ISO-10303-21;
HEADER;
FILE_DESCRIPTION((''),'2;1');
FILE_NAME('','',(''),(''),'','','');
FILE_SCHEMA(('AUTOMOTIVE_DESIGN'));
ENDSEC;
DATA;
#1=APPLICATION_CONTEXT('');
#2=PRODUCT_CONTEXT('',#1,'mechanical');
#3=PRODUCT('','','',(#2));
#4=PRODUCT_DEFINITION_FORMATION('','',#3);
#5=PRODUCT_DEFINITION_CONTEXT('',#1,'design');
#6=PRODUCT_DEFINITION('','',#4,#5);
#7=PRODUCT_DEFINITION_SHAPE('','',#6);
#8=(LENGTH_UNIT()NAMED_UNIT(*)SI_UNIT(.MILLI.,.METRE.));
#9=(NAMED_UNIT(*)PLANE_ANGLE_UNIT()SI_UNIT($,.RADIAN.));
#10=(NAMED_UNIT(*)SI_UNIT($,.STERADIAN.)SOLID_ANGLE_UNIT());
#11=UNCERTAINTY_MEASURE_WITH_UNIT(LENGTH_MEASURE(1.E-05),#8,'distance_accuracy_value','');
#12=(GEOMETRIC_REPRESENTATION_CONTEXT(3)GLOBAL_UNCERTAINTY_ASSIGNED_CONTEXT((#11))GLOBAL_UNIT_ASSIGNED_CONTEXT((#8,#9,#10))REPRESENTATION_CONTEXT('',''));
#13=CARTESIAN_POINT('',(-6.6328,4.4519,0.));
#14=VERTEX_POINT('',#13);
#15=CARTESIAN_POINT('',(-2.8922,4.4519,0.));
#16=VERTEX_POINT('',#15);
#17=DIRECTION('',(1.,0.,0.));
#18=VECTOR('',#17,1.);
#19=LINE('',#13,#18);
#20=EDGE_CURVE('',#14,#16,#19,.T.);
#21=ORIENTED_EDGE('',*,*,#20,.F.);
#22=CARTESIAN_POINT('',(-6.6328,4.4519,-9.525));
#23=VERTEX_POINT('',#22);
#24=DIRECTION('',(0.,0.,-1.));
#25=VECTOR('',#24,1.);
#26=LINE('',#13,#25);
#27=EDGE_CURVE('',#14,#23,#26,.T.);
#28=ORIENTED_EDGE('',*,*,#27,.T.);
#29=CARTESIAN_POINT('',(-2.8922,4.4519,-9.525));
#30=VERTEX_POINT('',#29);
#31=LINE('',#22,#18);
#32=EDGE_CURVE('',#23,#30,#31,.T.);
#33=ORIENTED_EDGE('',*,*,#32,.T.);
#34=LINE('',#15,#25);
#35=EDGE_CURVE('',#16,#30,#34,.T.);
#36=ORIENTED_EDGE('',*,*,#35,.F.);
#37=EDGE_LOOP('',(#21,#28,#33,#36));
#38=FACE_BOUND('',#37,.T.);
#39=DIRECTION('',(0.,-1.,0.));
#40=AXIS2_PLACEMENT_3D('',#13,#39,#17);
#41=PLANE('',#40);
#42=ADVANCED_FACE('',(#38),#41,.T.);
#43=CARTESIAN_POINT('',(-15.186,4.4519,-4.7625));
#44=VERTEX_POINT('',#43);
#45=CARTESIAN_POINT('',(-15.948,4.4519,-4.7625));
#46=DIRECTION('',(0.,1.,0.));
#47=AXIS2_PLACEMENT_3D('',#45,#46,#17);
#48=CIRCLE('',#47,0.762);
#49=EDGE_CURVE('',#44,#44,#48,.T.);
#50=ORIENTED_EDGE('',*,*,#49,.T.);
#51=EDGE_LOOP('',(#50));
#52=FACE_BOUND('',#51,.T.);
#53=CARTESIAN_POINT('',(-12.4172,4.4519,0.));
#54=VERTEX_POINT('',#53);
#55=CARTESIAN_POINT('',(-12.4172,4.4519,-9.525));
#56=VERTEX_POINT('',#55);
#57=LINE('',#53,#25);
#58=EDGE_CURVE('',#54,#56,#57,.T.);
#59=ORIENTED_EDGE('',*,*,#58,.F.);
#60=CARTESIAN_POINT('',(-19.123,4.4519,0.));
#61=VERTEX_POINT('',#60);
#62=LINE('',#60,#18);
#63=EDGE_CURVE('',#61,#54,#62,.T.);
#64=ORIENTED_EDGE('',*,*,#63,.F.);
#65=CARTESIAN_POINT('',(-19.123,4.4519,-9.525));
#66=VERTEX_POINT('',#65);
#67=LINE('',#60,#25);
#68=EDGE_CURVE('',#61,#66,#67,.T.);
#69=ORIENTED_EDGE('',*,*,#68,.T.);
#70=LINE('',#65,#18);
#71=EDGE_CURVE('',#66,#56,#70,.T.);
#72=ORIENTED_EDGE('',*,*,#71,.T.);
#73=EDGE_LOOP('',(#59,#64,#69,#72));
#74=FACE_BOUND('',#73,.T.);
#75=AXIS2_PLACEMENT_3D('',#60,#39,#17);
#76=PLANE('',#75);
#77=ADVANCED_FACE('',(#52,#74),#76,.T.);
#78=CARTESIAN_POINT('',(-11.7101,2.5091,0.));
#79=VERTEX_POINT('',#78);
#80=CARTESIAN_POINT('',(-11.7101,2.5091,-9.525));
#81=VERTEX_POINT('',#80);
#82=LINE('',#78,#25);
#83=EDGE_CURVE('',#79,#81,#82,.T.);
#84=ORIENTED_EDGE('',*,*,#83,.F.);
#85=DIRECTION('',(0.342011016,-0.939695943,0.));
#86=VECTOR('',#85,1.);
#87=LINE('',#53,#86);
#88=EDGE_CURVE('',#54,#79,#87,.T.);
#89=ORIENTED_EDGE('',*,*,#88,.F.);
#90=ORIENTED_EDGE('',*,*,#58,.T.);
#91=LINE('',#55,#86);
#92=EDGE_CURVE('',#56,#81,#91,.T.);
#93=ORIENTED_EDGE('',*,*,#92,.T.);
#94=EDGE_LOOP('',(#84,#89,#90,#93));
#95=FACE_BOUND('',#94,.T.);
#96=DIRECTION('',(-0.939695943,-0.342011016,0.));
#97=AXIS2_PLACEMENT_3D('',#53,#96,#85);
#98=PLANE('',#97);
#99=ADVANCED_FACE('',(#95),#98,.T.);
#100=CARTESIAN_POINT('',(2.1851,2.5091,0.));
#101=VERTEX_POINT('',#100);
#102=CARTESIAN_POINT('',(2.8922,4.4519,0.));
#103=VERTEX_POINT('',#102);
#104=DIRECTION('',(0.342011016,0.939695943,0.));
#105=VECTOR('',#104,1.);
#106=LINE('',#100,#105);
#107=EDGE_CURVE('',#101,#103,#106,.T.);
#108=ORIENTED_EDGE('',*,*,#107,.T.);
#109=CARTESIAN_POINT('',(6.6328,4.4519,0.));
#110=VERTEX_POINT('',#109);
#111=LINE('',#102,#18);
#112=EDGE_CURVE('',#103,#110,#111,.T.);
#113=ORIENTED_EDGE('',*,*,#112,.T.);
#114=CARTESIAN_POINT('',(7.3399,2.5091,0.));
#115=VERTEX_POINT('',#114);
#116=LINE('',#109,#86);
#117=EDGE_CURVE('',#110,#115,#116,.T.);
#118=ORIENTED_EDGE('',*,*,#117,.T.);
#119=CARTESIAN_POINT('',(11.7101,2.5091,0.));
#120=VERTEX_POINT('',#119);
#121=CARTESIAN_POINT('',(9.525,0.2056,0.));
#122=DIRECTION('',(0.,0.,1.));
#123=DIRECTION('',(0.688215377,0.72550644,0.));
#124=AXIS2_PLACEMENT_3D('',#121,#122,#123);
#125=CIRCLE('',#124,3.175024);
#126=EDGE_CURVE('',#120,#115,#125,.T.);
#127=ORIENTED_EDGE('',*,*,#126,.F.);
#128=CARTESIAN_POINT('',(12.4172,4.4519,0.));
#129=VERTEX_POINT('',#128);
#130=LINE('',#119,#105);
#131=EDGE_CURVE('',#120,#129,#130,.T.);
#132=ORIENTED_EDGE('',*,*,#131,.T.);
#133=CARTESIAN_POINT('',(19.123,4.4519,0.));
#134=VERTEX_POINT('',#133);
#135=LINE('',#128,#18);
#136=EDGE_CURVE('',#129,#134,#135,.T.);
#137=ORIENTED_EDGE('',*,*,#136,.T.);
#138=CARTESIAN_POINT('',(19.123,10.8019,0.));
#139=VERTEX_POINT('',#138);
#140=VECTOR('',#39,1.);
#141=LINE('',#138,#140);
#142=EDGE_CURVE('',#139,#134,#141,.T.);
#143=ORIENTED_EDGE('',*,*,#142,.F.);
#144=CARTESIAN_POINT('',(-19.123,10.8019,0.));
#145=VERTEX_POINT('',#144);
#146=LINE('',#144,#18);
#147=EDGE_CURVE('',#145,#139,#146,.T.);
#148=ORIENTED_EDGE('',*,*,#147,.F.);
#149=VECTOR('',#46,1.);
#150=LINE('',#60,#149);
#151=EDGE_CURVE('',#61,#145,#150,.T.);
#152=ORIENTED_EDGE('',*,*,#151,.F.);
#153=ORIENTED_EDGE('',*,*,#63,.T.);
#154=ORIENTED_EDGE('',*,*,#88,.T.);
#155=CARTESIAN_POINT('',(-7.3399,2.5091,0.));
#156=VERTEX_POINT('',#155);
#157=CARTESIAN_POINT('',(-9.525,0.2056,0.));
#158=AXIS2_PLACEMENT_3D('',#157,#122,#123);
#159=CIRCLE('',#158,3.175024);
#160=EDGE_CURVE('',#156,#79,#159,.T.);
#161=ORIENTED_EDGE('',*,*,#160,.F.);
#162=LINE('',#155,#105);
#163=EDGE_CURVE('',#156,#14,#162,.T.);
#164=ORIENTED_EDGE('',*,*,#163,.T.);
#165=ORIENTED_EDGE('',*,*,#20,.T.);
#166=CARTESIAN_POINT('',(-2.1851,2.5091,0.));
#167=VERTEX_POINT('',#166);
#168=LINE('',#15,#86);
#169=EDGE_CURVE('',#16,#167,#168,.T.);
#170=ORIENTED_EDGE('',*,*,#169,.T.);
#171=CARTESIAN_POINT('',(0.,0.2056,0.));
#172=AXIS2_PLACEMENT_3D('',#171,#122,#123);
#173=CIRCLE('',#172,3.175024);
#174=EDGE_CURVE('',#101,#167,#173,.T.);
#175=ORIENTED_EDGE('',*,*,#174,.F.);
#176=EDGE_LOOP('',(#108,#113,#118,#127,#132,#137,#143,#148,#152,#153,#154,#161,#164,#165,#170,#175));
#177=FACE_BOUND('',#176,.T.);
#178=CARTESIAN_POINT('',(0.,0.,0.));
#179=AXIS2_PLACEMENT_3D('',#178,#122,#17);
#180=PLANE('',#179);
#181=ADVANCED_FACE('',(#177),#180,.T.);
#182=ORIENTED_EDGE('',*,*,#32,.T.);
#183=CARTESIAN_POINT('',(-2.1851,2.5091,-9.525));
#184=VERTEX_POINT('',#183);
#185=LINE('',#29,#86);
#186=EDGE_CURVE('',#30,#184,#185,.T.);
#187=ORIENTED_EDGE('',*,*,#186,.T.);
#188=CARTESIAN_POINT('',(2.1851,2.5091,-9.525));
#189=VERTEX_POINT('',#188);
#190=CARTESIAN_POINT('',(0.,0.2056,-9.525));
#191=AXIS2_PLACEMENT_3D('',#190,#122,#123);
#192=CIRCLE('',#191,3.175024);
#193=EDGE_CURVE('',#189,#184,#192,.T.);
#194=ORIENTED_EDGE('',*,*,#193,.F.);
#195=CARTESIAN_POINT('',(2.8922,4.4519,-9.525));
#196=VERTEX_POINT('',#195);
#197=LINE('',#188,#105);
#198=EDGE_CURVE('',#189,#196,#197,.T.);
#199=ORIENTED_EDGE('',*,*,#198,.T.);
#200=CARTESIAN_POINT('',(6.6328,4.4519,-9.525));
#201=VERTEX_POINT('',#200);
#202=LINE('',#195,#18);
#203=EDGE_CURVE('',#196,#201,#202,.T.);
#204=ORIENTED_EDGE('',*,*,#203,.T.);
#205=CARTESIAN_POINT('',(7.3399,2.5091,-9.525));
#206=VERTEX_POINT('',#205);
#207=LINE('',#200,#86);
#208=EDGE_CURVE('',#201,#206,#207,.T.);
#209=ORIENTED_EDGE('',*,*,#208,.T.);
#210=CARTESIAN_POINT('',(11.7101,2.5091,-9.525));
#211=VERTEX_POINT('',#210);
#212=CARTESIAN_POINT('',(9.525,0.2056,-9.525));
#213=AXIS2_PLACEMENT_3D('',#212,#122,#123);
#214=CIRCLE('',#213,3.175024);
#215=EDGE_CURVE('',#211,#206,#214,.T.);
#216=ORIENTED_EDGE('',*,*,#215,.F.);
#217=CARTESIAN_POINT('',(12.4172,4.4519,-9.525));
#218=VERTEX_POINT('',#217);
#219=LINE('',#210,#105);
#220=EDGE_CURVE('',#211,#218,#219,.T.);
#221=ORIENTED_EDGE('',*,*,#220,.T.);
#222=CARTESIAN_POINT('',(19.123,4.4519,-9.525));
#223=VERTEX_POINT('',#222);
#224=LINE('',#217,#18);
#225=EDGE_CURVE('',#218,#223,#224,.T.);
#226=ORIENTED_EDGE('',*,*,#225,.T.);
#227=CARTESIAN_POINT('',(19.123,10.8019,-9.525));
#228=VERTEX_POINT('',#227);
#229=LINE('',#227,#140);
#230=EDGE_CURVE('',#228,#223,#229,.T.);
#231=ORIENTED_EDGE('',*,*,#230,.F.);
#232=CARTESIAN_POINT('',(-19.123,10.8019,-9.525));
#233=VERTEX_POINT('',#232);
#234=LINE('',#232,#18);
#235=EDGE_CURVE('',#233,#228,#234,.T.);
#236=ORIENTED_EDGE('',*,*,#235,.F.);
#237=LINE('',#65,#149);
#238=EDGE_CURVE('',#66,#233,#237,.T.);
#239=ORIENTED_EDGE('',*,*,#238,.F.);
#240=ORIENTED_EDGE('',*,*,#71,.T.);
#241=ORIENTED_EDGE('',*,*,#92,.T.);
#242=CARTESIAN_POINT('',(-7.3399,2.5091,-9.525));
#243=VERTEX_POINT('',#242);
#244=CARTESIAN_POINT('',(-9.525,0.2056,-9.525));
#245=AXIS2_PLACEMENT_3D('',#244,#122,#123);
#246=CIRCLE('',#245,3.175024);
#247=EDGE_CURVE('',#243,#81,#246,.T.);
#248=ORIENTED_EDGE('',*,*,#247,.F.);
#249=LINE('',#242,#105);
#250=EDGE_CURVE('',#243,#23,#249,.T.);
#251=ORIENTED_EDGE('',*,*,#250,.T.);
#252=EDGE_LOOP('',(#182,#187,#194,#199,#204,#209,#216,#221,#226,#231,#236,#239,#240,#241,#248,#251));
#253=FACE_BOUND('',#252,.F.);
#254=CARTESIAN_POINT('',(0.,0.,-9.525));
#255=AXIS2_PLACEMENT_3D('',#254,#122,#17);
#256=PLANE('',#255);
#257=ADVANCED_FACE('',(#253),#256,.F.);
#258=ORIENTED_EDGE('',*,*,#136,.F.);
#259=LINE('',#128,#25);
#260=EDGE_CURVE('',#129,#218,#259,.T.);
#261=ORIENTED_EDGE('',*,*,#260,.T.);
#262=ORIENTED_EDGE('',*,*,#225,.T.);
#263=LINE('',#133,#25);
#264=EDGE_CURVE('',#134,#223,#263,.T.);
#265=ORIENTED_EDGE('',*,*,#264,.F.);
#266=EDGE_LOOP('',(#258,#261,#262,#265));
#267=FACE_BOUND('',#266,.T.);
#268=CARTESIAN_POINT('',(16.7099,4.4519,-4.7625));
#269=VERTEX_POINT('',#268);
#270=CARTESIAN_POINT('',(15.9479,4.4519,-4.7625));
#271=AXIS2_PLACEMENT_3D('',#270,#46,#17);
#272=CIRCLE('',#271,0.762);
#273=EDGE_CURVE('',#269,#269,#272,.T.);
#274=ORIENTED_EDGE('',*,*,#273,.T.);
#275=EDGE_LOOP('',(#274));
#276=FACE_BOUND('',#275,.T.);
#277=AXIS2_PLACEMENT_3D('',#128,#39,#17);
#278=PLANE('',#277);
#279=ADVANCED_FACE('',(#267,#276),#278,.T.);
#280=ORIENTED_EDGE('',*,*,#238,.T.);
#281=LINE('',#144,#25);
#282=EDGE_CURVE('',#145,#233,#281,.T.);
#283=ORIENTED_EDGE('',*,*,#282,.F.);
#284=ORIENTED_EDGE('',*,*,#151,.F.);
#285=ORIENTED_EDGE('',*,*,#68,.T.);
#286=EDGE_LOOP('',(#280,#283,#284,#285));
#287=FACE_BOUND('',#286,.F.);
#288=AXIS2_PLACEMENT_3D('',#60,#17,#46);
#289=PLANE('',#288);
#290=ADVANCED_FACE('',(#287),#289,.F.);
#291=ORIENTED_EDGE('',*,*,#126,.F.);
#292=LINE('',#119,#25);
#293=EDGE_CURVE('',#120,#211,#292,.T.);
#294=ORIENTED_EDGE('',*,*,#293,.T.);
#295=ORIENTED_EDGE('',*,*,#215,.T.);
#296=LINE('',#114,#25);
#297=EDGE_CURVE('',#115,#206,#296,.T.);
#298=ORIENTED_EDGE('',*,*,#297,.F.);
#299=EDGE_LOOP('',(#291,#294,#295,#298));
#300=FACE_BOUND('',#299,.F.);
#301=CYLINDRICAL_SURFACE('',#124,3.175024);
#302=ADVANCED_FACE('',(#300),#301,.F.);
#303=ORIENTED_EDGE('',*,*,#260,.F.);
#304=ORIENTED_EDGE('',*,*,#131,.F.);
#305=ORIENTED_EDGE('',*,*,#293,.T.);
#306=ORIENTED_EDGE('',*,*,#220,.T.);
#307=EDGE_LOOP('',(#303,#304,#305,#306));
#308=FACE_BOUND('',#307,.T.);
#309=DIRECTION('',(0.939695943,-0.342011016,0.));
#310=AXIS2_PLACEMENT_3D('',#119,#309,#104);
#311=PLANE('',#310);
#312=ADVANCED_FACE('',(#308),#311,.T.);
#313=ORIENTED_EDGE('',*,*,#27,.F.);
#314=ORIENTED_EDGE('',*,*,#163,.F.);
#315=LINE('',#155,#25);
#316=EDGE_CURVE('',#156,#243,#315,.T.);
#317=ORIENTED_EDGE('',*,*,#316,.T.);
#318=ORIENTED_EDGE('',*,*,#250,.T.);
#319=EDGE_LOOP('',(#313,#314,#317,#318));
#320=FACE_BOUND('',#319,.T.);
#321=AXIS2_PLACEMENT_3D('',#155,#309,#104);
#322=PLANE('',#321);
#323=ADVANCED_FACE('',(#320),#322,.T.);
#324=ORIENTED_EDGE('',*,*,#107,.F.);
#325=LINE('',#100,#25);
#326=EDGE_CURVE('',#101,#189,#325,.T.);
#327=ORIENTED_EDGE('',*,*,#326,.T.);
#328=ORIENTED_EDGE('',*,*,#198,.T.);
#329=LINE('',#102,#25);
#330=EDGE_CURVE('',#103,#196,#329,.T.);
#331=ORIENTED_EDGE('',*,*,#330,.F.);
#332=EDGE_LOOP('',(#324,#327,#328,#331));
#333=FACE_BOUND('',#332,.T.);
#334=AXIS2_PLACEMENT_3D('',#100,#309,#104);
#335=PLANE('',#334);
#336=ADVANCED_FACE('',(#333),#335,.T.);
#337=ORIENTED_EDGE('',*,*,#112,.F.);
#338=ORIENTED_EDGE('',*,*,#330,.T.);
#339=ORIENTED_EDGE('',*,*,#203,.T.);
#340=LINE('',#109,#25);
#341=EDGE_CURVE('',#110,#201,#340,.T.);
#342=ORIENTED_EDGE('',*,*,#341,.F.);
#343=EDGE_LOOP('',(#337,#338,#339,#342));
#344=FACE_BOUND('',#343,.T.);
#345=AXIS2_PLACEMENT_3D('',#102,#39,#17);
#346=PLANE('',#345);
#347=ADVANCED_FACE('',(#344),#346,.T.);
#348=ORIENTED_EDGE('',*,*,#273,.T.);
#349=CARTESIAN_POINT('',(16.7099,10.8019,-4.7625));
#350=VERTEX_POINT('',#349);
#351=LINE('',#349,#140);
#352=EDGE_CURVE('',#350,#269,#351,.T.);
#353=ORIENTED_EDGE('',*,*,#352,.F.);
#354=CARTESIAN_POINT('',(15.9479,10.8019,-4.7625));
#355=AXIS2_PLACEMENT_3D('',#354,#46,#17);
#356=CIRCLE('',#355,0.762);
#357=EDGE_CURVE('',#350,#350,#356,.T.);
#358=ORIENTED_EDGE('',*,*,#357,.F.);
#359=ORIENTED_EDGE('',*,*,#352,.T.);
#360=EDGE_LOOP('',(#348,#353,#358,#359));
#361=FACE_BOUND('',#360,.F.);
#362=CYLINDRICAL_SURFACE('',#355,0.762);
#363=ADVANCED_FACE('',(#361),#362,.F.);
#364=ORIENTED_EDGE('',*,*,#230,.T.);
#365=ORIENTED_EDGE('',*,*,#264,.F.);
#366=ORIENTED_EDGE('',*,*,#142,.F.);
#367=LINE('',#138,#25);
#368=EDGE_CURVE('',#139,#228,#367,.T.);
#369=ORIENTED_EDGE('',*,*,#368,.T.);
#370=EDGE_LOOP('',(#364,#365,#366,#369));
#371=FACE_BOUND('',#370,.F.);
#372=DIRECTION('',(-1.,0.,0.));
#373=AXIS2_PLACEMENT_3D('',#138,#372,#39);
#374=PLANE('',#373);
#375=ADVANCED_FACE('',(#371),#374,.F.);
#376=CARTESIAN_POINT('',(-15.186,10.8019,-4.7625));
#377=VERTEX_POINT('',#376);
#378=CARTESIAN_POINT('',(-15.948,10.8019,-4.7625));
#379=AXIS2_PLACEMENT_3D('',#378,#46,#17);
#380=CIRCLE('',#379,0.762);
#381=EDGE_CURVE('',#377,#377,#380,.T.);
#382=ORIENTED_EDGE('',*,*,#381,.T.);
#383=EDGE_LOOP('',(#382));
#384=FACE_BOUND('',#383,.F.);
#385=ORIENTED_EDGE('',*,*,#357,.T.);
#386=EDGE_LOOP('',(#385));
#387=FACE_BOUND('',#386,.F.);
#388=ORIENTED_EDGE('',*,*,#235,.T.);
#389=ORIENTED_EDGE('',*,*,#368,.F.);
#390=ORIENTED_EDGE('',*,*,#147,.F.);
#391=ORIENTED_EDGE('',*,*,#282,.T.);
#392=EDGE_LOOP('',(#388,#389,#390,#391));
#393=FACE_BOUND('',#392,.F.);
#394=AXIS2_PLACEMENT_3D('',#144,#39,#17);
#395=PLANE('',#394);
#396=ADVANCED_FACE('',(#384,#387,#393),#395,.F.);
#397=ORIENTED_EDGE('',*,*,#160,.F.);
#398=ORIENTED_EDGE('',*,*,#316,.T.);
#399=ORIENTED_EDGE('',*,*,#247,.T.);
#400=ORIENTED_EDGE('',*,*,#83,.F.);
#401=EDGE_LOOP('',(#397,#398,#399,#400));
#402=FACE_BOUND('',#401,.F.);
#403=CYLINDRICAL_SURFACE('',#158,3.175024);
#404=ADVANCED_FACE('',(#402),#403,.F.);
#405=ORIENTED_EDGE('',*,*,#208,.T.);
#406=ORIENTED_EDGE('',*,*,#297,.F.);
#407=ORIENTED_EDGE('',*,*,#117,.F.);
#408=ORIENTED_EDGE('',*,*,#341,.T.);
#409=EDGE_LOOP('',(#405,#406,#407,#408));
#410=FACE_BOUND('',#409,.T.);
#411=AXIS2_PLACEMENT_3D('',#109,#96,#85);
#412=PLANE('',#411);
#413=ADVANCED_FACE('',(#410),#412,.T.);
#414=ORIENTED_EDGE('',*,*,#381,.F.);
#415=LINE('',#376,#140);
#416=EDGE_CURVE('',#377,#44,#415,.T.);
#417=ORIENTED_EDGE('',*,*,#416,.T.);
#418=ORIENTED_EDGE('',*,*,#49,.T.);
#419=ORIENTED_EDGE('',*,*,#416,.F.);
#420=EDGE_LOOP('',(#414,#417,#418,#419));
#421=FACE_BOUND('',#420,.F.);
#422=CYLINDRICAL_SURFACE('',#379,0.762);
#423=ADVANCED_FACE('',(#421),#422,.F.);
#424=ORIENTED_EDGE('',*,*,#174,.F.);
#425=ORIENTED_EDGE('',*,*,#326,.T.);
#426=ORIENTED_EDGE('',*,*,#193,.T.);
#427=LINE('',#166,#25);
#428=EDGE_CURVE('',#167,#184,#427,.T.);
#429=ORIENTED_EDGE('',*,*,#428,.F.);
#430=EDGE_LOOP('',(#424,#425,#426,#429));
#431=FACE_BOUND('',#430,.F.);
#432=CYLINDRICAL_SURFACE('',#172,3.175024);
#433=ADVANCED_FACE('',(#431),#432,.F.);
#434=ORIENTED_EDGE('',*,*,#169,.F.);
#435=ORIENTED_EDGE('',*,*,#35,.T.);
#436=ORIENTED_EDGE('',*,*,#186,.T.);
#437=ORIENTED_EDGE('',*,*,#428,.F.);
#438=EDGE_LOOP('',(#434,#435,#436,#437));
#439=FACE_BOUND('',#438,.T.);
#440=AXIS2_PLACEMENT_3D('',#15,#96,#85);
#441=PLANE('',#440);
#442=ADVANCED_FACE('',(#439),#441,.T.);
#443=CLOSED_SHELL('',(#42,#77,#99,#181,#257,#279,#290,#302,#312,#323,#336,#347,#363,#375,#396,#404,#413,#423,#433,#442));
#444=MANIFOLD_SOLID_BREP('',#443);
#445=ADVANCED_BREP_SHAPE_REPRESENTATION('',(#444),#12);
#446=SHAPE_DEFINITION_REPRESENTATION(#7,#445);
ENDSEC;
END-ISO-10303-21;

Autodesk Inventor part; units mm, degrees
ref_plane "YZ Plane" through (0, 0, 0) normal (1, 0, 0) x (0, 1, 0)
ref_plane "XZ Plane" through (0, 0, 0) normal (0, 1, 0) x (-1, 0, 0)
ref_plane "XY Plane" through (0, 0, 0) normal (0, 0, 1) x (1, 0, 0)
ref_plane "Work Plane1" through (0, 0, 0) normal (0, 0, 1) x (1, 0, 0)
sketch "Sketch1" plane through (0, 0, 0) normal (0, 0, 1) x (1, 0, 0)
  arc A0 (-2.3812, 1.5627) -> (2.3812, 1.5627) centre (0, 1.5627) ccw projected
  line L0 (-2.3812, 1.5627) -> (-3.248, 3.9439) projected
  line L1 (-3.248, 3.9439) -> (-6.277, 3.9439) projected
  line L2 (-6.277, 3.9439) -> (-7.1438, 1.5627) projected
  arc A1 (-11.9063, 1.5627) -> (-7.1438, 1.5627) centre (-9.525, 1.5627) ccw projected
  line L3 (-11.9063, 1.5627) -> (-12.773, 3.9439) projected
  line L4 (-12.773, 3.9439) -> (-19.123, 3.9439) projected
  line L5 (-19.123, 3.9439) -> (-19.123, -1.6123) projected
  line L6 (19.123, -1.6123) -> (-19.123, -1.6123) projected
  line L7 (19.123, -1.6123) -> (19.123, 3.9439) projected
  line L8 (19.123, 3.9439) -> (12.773, 3.9439) projected
  line L9 (12.773, 3.9439) -> (11.9063, 1.5627) projected
  arc A2 (7.1438, 1.5627) -> (11.9063, 1.5627) centre (9.525, 1.5627) ccw projected
  line L10 (7.1438, 1.5627) -> (6.277, 3.9439) projected
  line L11 (6.277, 3.9439) -> (3.248, 3.9439) projected
  line L12 (3.248, 3.9439) -> (2.3812, 1.5627) projected
  line L13 (-12.4172, 4.4519) -> (-11.7101, 2.5091)
  line L14 (-7.3399, 2.5091) -> (-6.6328, 4.4519)
  line L15 (-6.6328, 4.4519) -> (-2.8922, 4.4519)
  line L16 (-2.8922, 4.4519) -> (-2.1851, 2.5091)
  line L17 (2.1851, 2.5091) -> (2.8922, 4.4519)
  line L18 (2.8922, 4.4519) -> (6.6328, 4.4519)
  line L19 (6.6328, 4.4519) -> (7.3399, 2.5091)
  line L20 (11.7101, 2.5091) -> (12.4172, 4.4519)
  line L21 (12.4172, 4.4519) -> (19.123, 4.4519)
  line L22 (-19.123, 4.4519) -> (-12.4172, 4.4519)
  line L23 (-19.123, 4.4519) -> (-19.123, 10.8019)
  line L24 (-19.123, 10.8019) -> (19.123, 10.8019)
  line L25 (19.123, 10.8019) -> (19.123, 4.4519)
  arc A3 (-7.3399, 2.5091) -> (-11.7101, 2.5091) centre (-9.525, 0.2056) ccw
  arc A4 (2.1851, 2.5091) -> (-2.1851, 2.5091) centre (0, 0.2056) ccw
  arc A5 (11.7101, 2.5091) -> (7.3399, 2.5091) centre (9.525, 0.2056) ccw
  point P0 (0, 0)
  dimension "d0" = 0.508
  dimension "d1" = 6.35
  dimension "d5" = 3.175
  dimension "d6" = 3.175
  dimension "d7" = 3.175
extrude "Extrusion1" add sketch "Sketch1" against normal blind 9.525 contours L22 L23 L24 L25 L21 L20 A5 L19 L18 L17 A4 L16 L15 L14 A3 L13
sketch "Sketch2" plane through (-19.123, 10.8019, 0) normal (0, 1, 0) x (1, 0, 0)
  circle A0 centre (3.175, 4.7625) radius 0.762 projected
  circle A1 centre (35.0709, 4.7625) radius 0.762 projected
  point P0 (19.123, 0)
extrude "Extrusion2" cut sketch "Sketch2" against normal blind 9.525
properties part number "Wire Clamp"
